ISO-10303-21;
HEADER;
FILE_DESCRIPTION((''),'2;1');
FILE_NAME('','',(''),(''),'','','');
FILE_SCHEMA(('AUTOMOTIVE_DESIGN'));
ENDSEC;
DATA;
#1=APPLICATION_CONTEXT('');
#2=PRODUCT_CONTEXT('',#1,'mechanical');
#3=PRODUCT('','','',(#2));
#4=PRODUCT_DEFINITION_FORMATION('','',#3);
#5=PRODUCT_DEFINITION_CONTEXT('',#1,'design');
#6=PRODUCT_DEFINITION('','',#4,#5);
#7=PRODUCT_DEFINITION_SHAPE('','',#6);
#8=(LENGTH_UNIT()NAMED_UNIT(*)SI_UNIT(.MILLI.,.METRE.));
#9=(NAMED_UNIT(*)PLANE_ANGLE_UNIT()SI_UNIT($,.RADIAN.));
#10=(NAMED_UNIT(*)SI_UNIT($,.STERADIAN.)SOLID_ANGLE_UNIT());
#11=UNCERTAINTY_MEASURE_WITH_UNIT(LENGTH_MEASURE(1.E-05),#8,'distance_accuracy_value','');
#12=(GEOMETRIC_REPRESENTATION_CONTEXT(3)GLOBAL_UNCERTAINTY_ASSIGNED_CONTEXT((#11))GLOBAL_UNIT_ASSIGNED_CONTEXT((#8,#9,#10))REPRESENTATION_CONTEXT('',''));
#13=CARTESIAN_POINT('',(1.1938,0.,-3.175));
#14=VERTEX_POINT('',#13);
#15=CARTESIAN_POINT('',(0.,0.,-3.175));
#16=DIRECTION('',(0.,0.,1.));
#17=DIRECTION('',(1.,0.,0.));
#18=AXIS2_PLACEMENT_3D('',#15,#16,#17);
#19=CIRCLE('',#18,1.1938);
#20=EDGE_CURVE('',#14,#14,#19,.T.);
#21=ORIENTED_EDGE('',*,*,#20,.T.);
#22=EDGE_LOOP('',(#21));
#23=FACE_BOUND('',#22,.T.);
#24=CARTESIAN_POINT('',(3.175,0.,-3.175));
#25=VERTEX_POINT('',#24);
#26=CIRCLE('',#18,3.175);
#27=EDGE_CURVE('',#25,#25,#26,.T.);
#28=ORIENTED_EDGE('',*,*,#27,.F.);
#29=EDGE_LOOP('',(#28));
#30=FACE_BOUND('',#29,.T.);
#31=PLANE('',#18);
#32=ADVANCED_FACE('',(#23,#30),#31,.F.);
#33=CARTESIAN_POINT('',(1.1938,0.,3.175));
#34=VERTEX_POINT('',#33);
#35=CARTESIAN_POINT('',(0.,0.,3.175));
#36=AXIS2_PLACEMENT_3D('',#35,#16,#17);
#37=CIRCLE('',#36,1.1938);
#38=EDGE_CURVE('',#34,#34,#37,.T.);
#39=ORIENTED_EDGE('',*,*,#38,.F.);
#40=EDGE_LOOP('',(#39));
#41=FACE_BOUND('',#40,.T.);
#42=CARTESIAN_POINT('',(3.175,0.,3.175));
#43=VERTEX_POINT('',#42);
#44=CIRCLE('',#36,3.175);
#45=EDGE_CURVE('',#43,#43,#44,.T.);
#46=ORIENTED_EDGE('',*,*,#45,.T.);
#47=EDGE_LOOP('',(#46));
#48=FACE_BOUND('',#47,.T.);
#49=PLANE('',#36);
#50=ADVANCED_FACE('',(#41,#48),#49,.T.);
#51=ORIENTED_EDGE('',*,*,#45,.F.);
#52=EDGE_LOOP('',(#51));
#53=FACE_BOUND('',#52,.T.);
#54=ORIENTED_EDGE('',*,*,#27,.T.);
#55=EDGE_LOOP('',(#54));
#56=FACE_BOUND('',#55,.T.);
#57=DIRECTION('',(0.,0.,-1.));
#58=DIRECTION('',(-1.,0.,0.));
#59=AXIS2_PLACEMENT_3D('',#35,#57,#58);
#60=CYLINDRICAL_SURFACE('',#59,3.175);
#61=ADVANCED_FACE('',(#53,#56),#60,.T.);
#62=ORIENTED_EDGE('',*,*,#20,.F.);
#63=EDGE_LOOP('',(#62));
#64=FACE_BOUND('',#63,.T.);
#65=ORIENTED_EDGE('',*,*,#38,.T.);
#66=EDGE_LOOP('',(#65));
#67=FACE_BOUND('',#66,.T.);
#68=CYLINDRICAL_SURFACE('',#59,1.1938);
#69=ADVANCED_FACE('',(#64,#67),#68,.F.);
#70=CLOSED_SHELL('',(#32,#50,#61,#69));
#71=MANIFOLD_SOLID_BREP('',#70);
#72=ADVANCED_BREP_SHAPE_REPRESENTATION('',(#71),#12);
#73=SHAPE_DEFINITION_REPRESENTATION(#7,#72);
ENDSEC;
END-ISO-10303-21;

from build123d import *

# Parameters (mm, degrees)
SKETCH1_R      = 3.175
SKETCH1_R_2    = 1.1938
EXTRUDE1_DEPTH = 3.175


with BuildPart() as part:
    # Sketch1 → Extrude1 (new body, symmetric)
    with BuildSketch(Plane.XY):
        Circle(SKETCH1_R)
        Circle(SKETCH1_R_2, mode=Mode.SUBTRACT)
    extrude(amount=EXTRUDE1_DEPTH, both=True)


solid = part.part
